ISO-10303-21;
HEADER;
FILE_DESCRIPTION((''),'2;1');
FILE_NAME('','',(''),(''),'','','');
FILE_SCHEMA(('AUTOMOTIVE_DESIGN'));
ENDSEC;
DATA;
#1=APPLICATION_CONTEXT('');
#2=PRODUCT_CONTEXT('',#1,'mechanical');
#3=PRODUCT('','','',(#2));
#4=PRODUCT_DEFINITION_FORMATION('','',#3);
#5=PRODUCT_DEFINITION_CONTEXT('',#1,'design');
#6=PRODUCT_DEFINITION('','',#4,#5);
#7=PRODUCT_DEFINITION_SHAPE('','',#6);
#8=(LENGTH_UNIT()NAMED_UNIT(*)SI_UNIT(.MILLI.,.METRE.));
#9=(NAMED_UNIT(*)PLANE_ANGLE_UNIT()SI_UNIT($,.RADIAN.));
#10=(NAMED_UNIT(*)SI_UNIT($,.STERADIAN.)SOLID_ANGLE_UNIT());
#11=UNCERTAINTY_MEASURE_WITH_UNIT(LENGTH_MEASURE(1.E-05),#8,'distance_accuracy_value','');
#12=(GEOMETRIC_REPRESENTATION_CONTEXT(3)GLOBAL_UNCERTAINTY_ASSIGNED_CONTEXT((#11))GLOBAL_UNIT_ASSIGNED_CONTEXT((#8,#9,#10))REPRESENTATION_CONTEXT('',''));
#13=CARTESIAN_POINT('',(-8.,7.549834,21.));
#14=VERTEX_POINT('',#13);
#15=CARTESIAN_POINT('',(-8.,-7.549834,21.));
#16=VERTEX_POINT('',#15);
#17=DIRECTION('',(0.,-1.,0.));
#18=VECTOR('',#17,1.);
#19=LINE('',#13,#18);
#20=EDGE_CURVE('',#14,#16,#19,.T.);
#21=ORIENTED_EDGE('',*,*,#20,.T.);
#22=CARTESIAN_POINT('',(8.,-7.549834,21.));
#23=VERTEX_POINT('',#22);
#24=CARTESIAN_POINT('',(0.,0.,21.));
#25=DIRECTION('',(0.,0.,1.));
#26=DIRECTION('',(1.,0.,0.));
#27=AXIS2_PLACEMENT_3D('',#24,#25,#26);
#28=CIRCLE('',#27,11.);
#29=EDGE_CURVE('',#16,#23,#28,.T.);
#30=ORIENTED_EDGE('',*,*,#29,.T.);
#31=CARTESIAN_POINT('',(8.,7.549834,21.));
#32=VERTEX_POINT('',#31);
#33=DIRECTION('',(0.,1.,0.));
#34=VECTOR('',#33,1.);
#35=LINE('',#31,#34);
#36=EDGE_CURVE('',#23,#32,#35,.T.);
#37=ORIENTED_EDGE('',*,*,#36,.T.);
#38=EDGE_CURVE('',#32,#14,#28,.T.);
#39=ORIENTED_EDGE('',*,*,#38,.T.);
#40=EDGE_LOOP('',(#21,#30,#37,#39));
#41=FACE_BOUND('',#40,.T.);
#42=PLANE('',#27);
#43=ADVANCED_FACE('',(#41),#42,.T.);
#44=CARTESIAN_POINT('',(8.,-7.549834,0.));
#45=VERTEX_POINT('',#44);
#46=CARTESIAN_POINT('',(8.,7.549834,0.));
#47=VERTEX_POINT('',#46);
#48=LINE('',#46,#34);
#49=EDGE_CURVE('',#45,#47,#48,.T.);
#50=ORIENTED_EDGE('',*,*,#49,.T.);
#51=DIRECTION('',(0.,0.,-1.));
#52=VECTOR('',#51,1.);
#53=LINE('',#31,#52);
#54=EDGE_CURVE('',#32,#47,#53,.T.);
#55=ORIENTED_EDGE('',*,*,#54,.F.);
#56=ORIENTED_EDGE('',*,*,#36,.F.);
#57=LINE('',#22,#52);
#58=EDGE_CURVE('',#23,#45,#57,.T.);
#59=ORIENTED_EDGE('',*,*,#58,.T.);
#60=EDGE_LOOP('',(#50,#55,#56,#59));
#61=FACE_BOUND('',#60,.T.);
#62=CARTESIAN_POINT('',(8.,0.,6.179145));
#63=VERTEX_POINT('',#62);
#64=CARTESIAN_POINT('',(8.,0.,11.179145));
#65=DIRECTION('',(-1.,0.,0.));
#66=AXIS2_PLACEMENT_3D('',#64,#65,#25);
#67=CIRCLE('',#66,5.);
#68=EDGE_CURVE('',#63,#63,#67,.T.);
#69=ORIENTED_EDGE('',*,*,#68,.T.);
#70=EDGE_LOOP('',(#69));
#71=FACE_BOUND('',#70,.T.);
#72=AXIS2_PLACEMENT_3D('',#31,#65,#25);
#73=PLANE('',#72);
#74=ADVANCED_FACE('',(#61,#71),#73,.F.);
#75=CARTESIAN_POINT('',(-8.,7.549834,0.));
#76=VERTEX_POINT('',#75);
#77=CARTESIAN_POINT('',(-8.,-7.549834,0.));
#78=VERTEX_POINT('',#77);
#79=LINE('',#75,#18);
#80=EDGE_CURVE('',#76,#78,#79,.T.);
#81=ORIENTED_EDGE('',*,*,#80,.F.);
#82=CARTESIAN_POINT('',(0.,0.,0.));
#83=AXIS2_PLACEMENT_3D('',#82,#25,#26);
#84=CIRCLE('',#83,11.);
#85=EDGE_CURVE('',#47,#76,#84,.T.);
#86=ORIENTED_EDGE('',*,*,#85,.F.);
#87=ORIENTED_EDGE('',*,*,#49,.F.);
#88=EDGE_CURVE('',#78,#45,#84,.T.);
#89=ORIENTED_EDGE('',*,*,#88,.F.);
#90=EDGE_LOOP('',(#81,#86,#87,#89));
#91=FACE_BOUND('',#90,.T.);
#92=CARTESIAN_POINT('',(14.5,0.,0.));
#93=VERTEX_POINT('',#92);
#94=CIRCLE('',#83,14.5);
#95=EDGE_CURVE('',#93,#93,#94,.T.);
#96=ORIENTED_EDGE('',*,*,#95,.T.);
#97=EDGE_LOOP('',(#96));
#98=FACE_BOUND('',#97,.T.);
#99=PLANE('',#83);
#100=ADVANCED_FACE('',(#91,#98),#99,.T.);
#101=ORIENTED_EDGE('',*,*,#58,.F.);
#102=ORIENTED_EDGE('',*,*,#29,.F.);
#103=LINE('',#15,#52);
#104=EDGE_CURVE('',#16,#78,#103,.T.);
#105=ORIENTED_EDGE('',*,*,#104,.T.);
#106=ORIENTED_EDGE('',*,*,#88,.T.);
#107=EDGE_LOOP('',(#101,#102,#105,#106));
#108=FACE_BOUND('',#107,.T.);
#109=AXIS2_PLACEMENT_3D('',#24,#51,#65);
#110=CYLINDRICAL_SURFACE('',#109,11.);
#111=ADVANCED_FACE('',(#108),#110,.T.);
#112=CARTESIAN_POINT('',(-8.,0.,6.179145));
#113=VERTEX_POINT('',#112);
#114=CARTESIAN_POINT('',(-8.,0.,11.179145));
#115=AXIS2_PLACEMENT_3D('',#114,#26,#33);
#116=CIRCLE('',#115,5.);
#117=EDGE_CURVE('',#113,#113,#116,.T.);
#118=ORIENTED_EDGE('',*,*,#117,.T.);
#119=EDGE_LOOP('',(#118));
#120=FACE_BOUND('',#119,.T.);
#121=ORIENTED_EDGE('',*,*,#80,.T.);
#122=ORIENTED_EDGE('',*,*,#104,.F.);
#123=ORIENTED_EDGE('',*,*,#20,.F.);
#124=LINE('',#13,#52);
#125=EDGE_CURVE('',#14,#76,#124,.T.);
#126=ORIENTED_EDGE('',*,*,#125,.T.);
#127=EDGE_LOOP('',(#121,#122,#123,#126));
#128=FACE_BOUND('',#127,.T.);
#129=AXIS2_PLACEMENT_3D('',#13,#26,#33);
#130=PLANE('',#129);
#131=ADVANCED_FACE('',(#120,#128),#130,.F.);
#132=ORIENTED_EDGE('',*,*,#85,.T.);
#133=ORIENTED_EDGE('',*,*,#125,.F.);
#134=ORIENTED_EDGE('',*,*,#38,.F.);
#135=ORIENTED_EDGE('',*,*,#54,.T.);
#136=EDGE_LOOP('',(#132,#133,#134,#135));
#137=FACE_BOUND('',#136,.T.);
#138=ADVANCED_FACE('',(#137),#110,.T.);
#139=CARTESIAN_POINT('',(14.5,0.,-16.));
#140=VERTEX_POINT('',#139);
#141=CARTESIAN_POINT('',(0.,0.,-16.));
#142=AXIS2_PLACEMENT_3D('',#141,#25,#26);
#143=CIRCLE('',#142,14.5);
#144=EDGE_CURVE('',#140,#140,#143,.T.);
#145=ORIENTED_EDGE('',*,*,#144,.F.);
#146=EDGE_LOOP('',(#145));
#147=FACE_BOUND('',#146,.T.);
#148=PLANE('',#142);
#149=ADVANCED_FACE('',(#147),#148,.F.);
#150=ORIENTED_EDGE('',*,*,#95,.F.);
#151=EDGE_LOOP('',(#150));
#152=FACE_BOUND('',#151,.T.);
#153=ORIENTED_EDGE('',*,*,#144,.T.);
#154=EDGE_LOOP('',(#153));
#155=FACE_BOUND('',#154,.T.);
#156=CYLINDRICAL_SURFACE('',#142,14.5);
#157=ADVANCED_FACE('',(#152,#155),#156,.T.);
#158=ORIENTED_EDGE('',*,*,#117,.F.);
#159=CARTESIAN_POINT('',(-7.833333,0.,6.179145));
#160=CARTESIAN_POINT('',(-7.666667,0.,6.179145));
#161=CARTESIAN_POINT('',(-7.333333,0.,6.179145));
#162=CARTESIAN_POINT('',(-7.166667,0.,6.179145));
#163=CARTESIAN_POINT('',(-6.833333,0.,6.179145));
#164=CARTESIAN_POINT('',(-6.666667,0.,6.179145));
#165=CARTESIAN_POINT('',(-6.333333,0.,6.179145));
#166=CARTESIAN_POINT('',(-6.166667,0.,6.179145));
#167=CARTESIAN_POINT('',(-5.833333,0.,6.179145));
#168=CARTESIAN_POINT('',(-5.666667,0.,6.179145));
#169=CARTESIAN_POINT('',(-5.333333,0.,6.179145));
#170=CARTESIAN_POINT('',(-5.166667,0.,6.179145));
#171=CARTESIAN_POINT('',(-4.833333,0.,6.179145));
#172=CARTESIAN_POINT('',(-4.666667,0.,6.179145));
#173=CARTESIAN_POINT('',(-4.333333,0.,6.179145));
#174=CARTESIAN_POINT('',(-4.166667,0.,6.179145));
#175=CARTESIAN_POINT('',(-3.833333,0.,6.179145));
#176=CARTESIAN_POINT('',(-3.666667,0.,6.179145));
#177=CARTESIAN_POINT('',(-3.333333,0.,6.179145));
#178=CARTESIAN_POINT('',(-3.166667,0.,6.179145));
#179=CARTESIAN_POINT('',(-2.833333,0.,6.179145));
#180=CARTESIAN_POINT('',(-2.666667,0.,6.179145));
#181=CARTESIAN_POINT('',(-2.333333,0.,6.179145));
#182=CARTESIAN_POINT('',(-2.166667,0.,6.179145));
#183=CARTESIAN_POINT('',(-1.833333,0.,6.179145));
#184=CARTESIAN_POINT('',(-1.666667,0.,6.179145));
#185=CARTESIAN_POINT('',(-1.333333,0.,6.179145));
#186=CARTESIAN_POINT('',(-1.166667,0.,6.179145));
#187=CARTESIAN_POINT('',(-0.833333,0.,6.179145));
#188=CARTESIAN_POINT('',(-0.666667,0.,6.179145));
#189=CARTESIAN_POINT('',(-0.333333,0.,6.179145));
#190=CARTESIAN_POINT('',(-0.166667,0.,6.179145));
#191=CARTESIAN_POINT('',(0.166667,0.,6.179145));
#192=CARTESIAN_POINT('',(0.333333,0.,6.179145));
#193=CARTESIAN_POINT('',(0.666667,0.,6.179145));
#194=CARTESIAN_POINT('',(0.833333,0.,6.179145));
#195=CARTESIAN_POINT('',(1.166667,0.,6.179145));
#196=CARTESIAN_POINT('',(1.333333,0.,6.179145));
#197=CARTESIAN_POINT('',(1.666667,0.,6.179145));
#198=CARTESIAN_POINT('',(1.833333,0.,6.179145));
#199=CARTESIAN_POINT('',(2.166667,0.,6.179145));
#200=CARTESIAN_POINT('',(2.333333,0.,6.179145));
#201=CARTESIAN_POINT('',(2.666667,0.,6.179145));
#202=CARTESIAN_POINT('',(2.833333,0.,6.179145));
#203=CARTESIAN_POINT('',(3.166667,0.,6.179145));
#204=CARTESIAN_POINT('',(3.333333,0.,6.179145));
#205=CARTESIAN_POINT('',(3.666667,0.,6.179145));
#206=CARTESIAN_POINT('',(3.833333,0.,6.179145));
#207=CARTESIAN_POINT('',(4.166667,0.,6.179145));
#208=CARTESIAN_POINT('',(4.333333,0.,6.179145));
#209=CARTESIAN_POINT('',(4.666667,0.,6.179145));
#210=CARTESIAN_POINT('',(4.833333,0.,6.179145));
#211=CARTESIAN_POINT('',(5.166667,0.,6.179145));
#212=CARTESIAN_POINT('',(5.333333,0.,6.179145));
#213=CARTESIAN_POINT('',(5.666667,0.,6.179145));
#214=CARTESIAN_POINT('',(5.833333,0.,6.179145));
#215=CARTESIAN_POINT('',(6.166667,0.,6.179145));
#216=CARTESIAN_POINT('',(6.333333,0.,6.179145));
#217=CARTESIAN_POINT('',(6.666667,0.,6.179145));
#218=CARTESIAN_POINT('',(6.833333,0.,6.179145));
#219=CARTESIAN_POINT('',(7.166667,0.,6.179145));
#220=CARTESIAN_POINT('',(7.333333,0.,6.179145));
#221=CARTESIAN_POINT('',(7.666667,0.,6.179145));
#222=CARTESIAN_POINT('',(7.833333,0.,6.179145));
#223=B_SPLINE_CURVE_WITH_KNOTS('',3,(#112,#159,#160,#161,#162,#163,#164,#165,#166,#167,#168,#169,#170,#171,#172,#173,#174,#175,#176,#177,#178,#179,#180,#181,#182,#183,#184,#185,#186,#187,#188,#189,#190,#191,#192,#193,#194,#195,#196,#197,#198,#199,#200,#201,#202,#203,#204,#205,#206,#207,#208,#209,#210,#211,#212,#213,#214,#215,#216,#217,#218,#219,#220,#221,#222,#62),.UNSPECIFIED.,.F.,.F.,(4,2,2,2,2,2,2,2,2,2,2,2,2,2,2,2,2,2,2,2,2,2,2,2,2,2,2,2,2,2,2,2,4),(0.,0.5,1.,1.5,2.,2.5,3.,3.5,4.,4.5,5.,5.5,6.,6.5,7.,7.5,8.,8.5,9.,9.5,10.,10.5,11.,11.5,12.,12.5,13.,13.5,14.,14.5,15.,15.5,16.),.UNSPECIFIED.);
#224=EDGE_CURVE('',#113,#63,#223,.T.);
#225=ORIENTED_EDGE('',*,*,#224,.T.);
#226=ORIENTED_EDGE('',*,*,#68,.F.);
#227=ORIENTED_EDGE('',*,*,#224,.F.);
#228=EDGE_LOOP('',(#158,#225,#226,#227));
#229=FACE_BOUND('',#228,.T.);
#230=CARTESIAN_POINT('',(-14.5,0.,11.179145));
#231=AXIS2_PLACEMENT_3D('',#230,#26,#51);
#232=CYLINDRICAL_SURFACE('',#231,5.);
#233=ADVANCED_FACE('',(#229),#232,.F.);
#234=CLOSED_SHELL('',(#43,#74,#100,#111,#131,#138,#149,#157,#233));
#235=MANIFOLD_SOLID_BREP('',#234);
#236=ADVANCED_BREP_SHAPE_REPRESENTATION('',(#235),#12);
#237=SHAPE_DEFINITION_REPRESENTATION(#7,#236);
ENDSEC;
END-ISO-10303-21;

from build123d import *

# Parameters (mm, degrees)
BOSS_EXTRUDE1_DEPTH     = 21
SKETCH3_R               = 14.5
BOSS_EXTRUDE2_DEPTH     = 16
CUT_EXTRUDE1_DEPTH      = 30.351320243
CUT_EXTRUDE1_DEPTH_BACK = 30.351320243
SKETCH4_R               = 5


with BuildPart() as part:
    # Sketch1 → Boss-Extrude1 (new body)
    with BuildSketch(Plane.XY):
        with BuildLine():
            Line((-8, 7.549834435), (-8, -7.549834435))
            ThreePointArc((-8, -7.549834435), (0, -11), (8, -7.549834435))
            Line((8, -7.549834435), (8, 7.549834435))
            ThreePointArc((8, 7.549834435), (0, 11), (-8, 7.549834435))
        make_face()
    extrude(amount=BOSS_EXTRUDE1_DEPTH)

    # Sketch3 → Boss-Extrude2 (add)
    with BuildSketch(Plane.XY):
        Circle(SKETCH3_R)
    extrude(amount=-BOSS_EXTRUDE2_DEPTH)

    # Sketch4 → Cut-Extrude1 (cut, two sides: drawn at the far end of the back side and taken through both)
    with BuildSketch(Plane(origin=(0, 0, 0), x_dir=(0, 0, -1), z_dir=(1, 0, 0)).offset(-CUT_EXTRUDE1_DEPTH_BACK)):
        with Locations((-11.179145377, 0)):
            Circle(SKETCH4_R)
    extrude(amount=CUT_EXTRUDE1_DEPTH + CUT_EXTRUDE1_DEPTH_BACK, mode=Mode.SUBTRACT)


solid = part.part
